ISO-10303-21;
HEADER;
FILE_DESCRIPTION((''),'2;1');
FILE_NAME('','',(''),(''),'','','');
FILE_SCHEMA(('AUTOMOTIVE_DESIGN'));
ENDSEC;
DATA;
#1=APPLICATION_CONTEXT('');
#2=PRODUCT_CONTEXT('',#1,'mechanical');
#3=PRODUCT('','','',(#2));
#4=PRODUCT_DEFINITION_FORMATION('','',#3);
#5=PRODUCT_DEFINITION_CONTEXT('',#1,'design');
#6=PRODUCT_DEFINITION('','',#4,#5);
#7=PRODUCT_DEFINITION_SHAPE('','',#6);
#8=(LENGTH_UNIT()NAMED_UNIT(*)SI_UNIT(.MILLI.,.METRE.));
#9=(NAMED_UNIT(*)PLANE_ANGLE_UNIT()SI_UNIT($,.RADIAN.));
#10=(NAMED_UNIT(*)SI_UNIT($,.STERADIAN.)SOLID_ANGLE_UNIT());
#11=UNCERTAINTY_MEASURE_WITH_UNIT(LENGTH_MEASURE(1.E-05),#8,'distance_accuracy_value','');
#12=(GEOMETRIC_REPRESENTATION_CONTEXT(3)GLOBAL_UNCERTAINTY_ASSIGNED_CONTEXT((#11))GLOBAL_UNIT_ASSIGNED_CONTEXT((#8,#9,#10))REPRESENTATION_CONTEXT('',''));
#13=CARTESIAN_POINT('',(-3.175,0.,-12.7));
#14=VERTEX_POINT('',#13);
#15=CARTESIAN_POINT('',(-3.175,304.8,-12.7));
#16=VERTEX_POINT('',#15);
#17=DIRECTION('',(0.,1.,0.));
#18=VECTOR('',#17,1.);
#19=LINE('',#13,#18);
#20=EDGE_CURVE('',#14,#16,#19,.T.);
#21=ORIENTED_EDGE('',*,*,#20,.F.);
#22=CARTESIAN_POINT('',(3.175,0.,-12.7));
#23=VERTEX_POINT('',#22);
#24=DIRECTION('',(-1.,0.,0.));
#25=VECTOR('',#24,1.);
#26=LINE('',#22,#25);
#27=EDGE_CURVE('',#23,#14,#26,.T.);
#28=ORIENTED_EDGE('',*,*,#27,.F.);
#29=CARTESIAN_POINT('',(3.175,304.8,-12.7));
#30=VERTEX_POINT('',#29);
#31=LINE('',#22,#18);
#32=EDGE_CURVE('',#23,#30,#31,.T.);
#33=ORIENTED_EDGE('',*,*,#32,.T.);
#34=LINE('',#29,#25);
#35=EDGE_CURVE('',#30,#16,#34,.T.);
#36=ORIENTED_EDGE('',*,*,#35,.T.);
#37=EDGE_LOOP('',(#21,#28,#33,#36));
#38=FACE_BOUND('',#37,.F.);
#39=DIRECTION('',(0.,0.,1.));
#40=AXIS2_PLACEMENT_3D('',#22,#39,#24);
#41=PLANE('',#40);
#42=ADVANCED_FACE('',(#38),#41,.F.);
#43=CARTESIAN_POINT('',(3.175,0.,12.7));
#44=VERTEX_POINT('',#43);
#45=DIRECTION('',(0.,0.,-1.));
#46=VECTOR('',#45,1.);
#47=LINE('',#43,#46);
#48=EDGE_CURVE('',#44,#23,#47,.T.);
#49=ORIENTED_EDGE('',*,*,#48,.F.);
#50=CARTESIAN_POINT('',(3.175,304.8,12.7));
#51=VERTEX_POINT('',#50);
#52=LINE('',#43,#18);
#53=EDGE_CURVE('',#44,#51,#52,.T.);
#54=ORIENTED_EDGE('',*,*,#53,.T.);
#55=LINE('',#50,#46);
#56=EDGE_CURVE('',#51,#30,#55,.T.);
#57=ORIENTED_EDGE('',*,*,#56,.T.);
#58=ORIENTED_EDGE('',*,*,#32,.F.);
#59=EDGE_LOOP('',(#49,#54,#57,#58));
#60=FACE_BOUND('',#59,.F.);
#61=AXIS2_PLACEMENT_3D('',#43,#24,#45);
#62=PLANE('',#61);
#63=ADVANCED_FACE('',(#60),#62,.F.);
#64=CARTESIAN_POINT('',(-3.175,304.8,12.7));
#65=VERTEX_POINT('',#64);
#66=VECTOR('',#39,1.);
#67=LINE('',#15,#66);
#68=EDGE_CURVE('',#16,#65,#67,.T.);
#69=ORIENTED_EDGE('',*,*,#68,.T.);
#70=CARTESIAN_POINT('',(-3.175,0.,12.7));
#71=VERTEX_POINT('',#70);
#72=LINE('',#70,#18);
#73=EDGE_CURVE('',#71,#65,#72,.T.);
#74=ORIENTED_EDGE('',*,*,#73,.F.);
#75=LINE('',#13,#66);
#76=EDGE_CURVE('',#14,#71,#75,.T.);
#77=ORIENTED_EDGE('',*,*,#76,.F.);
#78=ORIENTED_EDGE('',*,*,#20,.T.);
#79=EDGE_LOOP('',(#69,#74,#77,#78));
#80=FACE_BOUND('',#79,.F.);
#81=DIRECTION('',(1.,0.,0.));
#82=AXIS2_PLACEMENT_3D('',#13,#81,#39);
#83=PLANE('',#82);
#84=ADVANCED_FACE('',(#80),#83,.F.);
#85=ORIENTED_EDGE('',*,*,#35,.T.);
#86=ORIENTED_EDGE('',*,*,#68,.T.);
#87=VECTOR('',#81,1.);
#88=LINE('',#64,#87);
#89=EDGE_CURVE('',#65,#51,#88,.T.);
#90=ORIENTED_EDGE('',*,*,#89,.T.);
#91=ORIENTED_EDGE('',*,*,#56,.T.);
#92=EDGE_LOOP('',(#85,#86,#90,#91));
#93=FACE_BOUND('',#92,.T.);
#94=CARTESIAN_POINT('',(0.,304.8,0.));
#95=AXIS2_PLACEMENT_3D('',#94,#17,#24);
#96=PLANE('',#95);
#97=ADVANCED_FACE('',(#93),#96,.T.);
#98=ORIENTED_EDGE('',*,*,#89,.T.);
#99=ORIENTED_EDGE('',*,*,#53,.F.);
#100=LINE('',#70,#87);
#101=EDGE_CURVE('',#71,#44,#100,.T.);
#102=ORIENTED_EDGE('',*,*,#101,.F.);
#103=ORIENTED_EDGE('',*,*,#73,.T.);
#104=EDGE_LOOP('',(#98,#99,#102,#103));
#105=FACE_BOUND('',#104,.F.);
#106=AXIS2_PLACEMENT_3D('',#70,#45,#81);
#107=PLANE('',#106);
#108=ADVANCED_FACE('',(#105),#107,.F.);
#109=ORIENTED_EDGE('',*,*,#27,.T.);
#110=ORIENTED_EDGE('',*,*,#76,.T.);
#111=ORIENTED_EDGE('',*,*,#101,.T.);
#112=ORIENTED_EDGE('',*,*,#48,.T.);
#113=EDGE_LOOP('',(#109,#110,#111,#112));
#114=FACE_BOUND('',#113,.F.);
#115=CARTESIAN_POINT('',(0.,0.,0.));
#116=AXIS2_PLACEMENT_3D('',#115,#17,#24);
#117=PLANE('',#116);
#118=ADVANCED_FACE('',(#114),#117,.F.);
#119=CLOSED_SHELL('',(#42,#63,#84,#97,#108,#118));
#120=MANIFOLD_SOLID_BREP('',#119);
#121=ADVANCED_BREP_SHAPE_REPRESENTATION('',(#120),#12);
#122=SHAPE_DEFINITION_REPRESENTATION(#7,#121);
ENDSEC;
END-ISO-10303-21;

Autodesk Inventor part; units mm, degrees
ref_plane "YZ Plane" through (0, 0, 0) normal (1, 0, 0) x (0, 1, 0)
ref_plane "XZ Plane" through (0, 0, 0) normal (0, 1, 0) x (-1, 0, 0)
ref_plane "XY Plane" through (0, 0, 0) normal (0, 0, 1) x (1, 0, 0)
sketch "Sketch1" plane through (0, 0, 0) normal (0, 1, 0) x (-1, 0, 0)
  line L0 (-3.175, -12.7) -> (3.175, -12.7)
  line L1 (3.175, -12.7) -> (3.175, 12.7)
  line L2 (3.175, 12.7) -> (-3.175, 12.7)
  line L3 (-3.175, 12.7) -> (-3.175, -12.7)
  line L4 (-3.175, -12.7) -> (3.175, 12.7) construction
  line L5 (3.175, -12.7) -> (-3.175, 12.7) construction
  point P0 (0, 0)
  dimension "d0" = 6.35
  dimension "d1" = 25.4
extrude "Extrusion1" add sketch "Sketch1" along normal blind 304.8
properties part number "14in-slide-pt_3" material "Aluminum 6061"
